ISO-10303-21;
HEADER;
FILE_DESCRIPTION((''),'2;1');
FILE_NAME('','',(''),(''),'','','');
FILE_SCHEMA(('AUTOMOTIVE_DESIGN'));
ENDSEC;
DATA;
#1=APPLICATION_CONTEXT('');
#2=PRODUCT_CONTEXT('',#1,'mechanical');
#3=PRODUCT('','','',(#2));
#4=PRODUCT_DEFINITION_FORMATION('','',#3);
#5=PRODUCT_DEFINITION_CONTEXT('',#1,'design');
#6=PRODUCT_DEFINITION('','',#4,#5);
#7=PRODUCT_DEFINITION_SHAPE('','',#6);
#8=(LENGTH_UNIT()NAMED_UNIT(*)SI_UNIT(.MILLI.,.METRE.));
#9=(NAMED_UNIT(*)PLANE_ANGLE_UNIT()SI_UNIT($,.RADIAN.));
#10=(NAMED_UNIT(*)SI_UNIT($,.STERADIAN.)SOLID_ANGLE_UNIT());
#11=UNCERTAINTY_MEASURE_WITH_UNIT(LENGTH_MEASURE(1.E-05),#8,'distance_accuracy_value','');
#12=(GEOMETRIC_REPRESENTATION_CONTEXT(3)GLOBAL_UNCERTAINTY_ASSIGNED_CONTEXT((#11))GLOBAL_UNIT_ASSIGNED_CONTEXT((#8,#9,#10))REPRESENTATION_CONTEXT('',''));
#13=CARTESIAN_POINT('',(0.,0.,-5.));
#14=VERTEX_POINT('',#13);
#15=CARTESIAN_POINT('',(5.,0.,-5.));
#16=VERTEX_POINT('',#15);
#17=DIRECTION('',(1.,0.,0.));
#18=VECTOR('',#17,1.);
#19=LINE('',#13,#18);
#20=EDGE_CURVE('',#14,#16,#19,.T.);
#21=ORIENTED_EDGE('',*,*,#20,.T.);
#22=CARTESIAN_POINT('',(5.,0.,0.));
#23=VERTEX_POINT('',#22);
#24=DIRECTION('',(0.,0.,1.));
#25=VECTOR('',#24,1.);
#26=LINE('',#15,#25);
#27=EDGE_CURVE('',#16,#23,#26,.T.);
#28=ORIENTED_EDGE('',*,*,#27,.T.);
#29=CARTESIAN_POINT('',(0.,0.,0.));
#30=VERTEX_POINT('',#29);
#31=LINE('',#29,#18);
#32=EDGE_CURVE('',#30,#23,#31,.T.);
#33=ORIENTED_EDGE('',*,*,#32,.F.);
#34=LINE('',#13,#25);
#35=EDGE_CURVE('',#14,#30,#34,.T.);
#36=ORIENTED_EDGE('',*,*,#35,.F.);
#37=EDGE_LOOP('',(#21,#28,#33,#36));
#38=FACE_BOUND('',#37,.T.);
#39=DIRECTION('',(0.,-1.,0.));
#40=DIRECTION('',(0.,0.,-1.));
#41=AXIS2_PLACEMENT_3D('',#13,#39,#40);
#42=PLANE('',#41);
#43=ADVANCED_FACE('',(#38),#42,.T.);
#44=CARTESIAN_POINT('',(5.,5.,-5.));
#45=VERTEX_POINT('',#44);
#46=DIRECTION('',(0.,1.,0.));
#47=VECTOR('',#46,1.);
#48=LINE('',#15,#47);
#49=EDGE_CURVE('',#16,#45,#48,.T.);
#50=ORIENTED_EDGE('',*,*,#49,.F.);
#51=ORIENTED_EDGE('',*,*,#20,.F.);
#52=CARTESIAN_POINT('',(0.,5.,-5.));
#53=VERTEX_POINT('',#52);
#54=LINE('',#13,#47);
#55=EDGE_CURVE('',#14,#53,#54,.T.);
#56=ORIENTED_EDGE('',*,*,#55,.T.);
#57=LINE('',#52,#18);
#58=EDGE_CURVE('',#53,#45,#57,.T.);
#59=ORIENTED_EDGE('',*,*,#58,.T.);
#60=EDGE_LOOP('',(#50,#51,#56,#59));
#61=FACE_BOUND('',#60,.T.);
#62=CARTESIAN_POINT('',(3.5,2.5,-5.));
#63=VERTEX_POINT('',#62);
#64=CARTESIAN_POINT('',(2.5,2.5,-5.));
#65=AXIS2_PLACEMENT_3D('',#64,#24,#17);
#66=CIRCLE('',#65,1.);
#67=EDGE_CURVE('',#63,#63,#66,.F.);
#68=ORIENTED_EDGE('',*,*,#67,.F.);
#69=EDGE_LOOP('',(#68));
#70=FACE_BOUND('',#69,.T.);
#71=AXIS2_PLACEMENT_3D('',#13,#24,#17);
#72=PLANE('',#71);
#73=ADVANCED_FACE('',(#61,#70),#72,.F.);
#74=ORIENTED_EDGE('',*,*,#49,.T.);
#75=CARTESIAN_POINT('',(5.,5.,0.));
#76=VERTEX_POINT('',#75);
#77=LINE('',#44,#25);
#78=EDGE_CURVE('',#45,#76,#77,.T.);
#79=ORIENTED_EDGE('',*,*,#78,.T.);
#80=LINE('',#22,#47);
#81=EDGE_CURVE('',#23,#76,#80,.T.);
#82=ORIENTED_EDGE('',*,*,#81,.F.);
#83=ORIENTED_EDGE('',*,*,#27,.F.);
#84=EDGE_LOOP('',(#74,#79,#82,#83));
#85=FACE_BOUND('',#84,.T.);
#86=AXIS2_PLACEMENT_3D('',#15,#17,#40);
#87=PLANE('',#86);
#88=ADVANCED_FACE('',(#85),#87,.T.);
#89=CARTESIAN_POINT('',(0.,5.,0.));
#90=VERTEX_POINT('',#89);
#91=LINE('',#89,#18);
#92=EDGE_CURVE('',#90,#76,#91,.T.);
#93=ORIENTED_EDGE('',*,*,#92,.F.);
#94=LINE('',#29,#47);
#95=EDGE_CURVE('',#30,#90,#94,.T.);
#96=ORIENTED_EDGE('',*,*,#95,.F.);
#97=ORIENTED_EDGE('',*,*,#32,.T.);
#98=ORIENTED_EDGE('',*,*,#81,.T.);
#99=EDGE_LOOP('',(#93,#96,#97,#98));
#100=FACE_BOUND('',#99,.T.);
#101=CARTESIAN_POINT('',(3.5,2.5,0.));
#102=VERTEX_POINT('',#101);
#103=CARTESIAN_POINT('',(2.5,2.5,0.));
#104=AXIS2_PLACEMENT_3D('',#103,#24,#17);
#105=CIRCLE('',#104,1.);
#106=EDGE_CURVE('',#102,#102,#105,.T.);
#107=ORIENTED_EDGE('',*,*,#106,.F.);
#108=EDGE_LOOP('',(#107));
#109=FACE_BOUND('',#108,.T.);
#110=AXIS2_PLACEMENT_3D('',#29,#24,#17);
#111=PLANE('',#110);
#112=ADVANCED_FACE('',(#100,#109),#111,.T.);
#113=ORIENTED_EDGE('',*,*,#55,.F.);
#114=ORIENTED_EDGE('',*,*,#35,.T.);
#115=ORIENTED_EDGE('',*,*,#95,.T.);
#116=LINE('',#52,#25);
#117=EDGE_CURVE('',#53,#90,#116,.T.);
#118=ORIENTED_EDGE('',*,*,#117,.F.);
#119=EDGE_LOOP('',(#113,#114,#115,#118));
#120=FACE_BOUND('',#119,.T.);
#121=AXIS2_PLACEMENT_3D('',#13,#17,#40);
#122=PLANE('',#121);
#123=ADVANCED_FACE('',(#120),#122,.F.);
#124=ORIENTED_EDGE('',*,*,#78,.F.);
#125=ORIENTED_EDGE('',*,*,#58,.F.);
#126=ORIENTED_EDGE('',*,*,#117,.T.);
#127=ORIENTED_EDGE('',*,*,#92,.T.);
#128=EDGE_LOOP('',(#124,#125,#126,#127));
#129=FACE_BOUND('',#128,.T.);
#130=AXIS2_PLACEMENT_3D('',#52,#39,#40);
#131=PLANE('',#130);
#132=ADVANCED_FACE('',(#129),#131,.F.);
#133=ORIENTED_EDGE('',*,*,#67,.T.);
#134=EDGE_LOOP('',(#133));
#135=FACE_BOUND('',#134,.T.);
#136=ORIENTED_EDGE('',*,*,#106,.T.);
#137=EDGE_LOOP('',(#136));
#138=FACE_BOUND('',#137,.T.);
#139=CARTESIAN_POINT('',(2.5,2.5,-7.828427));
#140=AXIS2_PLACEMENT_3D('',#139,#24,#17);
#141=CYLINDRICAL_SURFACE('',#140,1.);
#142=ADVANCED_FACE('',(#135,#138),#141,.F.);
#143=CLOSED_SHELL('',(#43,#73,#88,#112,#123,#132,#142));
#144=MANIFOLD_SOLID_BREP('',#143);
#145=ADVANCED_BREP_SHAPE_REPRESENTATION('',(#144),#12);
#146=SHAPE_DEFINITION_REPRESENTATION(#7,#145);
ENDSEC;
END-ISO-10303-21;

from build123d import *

# Parameters (mm, degrees)
SKETCH_1_W          = 5
SKETCH_1_H          = 5
EXTRUDE_1_DEPTH     = 5
SKETCH_3_R          = 1
CUT_EXTRUDE_1_DEPTH = 5


with BuildPart() as part:
    # 草图1 → 凸台-拉伸1 (new body)
    with BuildSketch(Plane.XY):
        with Locations((2.5, 2.5)):
            Rectangle(SKETCH_1_W, SKETCH_1_H)
    extrude(amount=-EXTRUDE_1_DEPTH)

    # 草图3 → 切除-拉伸1 (cut)
    with BuildSketch(Plane.XY):
        with Locations((2.5, 2.5)):
            Circle(SKETCH_3_R)
    extrude(amount=-CUT_EXTRUDE_1_DEPTH, mode=Mode.SUBTRACT)


solid = part.part
